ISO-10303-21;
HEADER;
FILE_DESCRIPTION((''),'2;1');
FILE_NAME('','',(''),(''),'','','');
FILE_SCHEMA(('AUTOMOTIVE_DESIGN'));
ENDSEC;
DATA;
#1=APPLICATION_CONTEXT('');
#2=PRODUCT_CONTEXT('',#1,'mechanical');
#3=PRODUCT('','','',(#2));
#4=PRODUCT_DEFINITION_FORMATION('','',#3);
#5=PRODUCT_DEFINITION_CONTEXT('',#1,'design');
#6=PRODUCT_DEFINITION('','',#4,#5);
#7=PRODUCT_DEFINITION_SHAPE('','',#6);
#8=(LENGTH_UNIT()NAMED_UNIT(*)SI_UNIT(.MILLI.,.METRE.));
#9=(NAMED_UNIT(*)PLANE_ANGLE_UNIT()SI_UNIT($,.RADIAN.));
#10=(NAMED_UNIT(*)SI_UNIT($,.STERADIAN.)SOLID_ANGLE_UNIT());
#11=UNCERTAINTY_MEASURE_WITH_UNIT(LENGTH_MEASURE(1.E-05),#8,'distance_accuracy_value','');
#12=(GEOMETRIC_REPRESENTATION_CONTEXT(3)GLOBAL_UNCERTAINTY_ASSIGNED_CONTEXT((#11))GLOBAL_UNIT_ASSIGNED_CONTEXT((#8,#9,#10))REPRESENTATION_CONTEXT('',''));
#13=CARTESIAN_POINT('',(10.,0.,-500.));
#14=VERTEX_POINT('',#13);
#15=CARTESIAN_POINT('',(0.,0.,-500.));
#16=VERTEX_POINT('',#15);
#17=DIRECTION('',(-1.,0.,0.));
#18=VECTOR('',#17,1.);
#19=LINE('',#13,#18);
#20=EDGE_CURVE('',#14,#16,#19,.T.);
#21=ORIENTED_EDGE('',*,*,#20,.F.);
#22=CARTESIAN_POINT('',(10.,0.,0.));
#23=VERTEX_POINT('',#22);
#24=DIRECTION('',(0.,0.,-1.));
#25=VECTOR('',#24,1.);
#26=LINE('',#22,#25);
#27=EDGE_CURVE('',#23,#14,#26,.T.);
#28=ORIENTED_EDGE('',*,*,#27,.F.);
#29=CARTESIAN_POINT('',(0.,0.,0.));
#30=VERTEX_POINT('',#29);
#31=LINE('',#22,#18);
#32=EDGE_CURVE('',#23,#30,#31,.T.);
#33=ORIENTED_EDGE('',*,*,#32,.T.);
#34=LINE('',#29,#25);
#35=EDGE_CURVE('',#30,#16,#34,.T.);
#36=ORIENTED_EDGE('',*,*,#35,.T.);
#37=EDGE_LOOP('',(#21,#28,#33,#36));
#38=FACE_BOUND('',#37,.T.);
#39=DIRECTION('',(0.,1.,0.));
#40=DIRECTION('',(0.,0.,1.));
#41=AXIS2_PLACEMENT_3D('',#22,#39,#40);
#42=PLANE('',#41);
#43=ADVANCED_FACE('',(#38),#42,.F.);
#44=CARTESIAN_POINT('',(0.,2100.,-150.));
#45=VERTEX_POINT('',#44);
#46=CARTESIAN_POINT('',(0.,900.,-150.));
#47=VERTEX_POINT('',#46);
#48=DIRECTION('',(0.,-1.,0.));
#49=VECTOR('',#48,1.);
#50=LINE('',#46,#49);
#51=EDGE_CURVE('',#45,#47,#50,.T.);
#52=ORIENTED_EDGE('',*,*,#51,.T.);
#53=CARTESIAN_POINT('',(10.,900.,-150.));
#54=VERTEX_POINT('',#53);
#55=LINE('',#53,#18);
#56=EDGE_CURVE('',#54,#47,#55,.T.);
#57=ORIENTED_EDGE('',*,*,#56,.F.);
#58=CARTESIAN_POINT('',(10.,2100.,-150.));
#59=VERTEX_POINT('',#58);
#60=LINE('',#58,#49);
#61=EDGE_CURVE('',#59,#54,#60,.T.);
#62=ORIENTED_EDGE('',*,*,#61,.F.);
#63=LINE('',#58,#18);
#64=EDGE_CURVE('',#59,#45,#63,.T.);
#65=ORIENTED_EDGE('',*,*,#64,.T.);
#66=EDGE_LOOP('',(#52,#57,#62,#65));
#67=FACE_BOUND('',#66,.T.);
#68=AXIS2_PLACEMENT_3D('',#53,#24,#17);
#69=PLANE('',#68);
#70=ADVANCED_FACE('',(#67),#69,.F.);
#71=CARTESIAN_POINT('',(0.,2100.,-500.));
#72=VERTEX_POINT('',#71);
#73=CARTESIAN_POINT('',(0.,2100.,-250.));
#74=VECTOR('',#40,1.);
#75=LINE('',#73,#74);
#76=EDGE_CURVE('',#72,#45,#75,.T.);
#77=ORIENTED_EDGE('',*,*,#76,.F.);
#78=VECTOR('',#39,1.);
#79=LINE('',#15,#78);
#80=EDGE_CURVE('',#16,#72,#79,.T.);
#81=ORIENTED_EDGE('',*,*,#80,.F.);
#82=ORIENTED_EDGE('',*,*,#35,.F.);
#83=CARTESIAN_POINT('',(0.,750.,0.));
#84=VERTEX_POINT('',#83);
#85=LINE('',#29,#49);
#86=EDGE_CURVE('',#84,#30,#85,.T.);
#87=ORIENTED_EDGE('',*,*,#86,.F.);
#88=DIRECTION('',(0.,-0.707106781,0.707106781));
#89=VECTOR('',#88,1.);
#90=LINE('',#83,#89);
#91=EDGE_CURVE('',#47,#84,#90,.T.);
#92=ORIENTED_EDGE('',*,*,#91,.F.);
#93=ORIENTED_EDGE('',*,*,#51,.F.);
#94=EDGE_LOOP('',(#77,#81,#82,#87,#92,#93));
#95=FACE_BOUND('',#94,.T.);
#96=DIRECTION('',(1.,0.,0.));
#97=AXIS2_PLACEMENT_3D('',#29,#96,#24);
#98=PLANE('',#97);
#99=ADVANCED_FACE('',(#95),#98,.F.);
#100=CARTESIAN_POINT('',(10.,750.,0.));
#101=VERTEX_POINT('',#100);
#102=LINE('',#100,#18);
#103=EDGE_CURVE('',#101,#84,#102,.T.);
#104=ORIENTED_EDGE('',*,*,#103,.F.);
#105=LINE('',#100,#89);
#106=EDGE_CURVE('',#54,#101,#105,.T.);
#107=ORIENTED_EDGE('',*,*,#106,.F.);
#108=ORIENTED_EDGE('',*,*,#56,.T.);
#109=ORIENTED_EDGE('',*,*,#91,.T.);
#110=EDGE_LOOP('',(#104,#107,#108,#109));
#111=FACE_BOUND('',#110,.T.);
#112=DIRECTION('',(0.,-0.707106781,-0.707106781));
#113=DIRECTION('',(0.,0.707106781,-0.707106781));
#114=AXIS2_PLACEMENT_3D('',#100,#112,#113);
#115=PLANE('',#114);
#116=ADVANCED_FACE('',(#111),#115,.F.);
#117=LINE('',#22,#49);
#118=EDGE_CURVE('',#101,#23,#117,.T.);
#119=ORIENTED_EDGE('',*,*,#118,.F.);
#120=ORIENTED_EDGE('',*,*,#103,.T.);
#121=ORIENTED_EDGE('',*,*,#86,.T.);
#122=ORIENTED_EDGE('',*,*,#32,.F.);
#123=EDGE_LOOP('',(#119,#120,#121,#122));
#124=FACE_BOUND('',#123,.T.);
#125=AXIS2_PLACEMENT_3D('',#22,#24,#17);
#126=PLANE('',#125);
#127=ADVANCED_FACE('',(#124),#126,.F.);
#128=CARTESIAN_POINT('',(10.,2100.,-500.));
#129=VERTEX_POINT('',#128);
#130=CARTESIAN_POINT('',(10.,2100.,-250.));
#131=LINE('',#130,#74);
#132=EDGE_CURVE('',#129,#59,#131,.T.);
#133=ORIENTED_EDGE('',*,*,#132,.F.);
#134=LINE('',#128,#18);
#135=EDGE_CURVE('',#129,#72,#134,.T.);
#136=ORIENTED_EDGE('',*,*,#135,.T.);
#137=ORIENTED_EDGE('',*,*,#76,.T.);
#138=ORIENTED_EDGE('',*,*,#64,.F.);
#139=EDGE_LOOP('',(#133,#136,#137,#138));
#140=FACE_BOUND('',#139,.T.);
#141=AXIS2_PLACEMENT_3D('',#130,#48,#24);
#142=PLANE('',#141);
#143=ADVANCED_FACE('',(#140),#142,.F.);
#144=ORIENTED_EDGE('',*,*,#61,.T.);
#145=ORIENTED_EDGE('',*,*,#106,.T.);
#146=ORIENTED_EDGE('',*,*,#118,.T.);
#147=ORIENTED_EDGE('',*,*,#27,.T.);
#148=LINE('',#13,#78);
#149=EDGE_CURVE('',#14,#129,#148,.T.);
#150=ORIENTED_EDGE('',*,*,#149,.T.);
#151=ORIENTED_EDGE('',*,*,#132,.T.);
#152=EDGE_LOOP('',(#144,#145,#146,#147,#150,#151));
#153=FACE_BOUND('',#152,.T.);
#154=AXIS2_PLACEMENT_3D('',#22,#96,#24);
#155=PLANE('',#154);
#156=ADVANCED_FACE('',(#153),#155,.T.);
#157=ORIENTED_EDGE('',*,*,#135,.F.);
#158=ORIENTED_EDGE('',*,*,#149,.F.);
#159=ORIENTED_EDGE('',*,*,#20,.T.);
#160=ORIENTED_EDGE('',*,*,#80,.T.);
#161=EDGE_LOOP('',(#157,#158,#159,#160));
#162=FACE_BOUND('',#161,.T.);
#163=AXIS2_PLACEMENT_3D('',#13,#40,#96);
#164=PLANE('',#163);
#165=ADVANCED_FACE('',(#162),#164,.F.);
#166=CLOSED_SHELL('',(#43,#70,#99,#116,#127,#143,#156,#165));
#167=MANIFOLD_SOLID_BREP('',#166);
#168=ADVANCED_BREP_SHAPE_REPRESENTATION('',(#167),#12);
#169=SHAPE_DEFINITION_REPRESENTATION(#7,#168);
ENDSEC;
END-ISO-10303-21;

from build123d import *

# Parameters (mm, degrees)
EXTRUDE_1_DEPTH = 10


with BuildPart() as part:
    # Эскиз1 → Бобышка-Вытянуть1 (new body)
    with BuildSketch(Plane(origin=(0, 0, 0), x_dir=(0, 0, -1), z_dir=(1, 0, 0))):
        Polygon((0, 750), (150, 900), (150, 2000), (150, 2100), (250, 2100), (500, 2100), (500, 0), (0, 0), align=None)
    extrude(amount=EXTRUDE_1_DEPTH)


solid = part.part
